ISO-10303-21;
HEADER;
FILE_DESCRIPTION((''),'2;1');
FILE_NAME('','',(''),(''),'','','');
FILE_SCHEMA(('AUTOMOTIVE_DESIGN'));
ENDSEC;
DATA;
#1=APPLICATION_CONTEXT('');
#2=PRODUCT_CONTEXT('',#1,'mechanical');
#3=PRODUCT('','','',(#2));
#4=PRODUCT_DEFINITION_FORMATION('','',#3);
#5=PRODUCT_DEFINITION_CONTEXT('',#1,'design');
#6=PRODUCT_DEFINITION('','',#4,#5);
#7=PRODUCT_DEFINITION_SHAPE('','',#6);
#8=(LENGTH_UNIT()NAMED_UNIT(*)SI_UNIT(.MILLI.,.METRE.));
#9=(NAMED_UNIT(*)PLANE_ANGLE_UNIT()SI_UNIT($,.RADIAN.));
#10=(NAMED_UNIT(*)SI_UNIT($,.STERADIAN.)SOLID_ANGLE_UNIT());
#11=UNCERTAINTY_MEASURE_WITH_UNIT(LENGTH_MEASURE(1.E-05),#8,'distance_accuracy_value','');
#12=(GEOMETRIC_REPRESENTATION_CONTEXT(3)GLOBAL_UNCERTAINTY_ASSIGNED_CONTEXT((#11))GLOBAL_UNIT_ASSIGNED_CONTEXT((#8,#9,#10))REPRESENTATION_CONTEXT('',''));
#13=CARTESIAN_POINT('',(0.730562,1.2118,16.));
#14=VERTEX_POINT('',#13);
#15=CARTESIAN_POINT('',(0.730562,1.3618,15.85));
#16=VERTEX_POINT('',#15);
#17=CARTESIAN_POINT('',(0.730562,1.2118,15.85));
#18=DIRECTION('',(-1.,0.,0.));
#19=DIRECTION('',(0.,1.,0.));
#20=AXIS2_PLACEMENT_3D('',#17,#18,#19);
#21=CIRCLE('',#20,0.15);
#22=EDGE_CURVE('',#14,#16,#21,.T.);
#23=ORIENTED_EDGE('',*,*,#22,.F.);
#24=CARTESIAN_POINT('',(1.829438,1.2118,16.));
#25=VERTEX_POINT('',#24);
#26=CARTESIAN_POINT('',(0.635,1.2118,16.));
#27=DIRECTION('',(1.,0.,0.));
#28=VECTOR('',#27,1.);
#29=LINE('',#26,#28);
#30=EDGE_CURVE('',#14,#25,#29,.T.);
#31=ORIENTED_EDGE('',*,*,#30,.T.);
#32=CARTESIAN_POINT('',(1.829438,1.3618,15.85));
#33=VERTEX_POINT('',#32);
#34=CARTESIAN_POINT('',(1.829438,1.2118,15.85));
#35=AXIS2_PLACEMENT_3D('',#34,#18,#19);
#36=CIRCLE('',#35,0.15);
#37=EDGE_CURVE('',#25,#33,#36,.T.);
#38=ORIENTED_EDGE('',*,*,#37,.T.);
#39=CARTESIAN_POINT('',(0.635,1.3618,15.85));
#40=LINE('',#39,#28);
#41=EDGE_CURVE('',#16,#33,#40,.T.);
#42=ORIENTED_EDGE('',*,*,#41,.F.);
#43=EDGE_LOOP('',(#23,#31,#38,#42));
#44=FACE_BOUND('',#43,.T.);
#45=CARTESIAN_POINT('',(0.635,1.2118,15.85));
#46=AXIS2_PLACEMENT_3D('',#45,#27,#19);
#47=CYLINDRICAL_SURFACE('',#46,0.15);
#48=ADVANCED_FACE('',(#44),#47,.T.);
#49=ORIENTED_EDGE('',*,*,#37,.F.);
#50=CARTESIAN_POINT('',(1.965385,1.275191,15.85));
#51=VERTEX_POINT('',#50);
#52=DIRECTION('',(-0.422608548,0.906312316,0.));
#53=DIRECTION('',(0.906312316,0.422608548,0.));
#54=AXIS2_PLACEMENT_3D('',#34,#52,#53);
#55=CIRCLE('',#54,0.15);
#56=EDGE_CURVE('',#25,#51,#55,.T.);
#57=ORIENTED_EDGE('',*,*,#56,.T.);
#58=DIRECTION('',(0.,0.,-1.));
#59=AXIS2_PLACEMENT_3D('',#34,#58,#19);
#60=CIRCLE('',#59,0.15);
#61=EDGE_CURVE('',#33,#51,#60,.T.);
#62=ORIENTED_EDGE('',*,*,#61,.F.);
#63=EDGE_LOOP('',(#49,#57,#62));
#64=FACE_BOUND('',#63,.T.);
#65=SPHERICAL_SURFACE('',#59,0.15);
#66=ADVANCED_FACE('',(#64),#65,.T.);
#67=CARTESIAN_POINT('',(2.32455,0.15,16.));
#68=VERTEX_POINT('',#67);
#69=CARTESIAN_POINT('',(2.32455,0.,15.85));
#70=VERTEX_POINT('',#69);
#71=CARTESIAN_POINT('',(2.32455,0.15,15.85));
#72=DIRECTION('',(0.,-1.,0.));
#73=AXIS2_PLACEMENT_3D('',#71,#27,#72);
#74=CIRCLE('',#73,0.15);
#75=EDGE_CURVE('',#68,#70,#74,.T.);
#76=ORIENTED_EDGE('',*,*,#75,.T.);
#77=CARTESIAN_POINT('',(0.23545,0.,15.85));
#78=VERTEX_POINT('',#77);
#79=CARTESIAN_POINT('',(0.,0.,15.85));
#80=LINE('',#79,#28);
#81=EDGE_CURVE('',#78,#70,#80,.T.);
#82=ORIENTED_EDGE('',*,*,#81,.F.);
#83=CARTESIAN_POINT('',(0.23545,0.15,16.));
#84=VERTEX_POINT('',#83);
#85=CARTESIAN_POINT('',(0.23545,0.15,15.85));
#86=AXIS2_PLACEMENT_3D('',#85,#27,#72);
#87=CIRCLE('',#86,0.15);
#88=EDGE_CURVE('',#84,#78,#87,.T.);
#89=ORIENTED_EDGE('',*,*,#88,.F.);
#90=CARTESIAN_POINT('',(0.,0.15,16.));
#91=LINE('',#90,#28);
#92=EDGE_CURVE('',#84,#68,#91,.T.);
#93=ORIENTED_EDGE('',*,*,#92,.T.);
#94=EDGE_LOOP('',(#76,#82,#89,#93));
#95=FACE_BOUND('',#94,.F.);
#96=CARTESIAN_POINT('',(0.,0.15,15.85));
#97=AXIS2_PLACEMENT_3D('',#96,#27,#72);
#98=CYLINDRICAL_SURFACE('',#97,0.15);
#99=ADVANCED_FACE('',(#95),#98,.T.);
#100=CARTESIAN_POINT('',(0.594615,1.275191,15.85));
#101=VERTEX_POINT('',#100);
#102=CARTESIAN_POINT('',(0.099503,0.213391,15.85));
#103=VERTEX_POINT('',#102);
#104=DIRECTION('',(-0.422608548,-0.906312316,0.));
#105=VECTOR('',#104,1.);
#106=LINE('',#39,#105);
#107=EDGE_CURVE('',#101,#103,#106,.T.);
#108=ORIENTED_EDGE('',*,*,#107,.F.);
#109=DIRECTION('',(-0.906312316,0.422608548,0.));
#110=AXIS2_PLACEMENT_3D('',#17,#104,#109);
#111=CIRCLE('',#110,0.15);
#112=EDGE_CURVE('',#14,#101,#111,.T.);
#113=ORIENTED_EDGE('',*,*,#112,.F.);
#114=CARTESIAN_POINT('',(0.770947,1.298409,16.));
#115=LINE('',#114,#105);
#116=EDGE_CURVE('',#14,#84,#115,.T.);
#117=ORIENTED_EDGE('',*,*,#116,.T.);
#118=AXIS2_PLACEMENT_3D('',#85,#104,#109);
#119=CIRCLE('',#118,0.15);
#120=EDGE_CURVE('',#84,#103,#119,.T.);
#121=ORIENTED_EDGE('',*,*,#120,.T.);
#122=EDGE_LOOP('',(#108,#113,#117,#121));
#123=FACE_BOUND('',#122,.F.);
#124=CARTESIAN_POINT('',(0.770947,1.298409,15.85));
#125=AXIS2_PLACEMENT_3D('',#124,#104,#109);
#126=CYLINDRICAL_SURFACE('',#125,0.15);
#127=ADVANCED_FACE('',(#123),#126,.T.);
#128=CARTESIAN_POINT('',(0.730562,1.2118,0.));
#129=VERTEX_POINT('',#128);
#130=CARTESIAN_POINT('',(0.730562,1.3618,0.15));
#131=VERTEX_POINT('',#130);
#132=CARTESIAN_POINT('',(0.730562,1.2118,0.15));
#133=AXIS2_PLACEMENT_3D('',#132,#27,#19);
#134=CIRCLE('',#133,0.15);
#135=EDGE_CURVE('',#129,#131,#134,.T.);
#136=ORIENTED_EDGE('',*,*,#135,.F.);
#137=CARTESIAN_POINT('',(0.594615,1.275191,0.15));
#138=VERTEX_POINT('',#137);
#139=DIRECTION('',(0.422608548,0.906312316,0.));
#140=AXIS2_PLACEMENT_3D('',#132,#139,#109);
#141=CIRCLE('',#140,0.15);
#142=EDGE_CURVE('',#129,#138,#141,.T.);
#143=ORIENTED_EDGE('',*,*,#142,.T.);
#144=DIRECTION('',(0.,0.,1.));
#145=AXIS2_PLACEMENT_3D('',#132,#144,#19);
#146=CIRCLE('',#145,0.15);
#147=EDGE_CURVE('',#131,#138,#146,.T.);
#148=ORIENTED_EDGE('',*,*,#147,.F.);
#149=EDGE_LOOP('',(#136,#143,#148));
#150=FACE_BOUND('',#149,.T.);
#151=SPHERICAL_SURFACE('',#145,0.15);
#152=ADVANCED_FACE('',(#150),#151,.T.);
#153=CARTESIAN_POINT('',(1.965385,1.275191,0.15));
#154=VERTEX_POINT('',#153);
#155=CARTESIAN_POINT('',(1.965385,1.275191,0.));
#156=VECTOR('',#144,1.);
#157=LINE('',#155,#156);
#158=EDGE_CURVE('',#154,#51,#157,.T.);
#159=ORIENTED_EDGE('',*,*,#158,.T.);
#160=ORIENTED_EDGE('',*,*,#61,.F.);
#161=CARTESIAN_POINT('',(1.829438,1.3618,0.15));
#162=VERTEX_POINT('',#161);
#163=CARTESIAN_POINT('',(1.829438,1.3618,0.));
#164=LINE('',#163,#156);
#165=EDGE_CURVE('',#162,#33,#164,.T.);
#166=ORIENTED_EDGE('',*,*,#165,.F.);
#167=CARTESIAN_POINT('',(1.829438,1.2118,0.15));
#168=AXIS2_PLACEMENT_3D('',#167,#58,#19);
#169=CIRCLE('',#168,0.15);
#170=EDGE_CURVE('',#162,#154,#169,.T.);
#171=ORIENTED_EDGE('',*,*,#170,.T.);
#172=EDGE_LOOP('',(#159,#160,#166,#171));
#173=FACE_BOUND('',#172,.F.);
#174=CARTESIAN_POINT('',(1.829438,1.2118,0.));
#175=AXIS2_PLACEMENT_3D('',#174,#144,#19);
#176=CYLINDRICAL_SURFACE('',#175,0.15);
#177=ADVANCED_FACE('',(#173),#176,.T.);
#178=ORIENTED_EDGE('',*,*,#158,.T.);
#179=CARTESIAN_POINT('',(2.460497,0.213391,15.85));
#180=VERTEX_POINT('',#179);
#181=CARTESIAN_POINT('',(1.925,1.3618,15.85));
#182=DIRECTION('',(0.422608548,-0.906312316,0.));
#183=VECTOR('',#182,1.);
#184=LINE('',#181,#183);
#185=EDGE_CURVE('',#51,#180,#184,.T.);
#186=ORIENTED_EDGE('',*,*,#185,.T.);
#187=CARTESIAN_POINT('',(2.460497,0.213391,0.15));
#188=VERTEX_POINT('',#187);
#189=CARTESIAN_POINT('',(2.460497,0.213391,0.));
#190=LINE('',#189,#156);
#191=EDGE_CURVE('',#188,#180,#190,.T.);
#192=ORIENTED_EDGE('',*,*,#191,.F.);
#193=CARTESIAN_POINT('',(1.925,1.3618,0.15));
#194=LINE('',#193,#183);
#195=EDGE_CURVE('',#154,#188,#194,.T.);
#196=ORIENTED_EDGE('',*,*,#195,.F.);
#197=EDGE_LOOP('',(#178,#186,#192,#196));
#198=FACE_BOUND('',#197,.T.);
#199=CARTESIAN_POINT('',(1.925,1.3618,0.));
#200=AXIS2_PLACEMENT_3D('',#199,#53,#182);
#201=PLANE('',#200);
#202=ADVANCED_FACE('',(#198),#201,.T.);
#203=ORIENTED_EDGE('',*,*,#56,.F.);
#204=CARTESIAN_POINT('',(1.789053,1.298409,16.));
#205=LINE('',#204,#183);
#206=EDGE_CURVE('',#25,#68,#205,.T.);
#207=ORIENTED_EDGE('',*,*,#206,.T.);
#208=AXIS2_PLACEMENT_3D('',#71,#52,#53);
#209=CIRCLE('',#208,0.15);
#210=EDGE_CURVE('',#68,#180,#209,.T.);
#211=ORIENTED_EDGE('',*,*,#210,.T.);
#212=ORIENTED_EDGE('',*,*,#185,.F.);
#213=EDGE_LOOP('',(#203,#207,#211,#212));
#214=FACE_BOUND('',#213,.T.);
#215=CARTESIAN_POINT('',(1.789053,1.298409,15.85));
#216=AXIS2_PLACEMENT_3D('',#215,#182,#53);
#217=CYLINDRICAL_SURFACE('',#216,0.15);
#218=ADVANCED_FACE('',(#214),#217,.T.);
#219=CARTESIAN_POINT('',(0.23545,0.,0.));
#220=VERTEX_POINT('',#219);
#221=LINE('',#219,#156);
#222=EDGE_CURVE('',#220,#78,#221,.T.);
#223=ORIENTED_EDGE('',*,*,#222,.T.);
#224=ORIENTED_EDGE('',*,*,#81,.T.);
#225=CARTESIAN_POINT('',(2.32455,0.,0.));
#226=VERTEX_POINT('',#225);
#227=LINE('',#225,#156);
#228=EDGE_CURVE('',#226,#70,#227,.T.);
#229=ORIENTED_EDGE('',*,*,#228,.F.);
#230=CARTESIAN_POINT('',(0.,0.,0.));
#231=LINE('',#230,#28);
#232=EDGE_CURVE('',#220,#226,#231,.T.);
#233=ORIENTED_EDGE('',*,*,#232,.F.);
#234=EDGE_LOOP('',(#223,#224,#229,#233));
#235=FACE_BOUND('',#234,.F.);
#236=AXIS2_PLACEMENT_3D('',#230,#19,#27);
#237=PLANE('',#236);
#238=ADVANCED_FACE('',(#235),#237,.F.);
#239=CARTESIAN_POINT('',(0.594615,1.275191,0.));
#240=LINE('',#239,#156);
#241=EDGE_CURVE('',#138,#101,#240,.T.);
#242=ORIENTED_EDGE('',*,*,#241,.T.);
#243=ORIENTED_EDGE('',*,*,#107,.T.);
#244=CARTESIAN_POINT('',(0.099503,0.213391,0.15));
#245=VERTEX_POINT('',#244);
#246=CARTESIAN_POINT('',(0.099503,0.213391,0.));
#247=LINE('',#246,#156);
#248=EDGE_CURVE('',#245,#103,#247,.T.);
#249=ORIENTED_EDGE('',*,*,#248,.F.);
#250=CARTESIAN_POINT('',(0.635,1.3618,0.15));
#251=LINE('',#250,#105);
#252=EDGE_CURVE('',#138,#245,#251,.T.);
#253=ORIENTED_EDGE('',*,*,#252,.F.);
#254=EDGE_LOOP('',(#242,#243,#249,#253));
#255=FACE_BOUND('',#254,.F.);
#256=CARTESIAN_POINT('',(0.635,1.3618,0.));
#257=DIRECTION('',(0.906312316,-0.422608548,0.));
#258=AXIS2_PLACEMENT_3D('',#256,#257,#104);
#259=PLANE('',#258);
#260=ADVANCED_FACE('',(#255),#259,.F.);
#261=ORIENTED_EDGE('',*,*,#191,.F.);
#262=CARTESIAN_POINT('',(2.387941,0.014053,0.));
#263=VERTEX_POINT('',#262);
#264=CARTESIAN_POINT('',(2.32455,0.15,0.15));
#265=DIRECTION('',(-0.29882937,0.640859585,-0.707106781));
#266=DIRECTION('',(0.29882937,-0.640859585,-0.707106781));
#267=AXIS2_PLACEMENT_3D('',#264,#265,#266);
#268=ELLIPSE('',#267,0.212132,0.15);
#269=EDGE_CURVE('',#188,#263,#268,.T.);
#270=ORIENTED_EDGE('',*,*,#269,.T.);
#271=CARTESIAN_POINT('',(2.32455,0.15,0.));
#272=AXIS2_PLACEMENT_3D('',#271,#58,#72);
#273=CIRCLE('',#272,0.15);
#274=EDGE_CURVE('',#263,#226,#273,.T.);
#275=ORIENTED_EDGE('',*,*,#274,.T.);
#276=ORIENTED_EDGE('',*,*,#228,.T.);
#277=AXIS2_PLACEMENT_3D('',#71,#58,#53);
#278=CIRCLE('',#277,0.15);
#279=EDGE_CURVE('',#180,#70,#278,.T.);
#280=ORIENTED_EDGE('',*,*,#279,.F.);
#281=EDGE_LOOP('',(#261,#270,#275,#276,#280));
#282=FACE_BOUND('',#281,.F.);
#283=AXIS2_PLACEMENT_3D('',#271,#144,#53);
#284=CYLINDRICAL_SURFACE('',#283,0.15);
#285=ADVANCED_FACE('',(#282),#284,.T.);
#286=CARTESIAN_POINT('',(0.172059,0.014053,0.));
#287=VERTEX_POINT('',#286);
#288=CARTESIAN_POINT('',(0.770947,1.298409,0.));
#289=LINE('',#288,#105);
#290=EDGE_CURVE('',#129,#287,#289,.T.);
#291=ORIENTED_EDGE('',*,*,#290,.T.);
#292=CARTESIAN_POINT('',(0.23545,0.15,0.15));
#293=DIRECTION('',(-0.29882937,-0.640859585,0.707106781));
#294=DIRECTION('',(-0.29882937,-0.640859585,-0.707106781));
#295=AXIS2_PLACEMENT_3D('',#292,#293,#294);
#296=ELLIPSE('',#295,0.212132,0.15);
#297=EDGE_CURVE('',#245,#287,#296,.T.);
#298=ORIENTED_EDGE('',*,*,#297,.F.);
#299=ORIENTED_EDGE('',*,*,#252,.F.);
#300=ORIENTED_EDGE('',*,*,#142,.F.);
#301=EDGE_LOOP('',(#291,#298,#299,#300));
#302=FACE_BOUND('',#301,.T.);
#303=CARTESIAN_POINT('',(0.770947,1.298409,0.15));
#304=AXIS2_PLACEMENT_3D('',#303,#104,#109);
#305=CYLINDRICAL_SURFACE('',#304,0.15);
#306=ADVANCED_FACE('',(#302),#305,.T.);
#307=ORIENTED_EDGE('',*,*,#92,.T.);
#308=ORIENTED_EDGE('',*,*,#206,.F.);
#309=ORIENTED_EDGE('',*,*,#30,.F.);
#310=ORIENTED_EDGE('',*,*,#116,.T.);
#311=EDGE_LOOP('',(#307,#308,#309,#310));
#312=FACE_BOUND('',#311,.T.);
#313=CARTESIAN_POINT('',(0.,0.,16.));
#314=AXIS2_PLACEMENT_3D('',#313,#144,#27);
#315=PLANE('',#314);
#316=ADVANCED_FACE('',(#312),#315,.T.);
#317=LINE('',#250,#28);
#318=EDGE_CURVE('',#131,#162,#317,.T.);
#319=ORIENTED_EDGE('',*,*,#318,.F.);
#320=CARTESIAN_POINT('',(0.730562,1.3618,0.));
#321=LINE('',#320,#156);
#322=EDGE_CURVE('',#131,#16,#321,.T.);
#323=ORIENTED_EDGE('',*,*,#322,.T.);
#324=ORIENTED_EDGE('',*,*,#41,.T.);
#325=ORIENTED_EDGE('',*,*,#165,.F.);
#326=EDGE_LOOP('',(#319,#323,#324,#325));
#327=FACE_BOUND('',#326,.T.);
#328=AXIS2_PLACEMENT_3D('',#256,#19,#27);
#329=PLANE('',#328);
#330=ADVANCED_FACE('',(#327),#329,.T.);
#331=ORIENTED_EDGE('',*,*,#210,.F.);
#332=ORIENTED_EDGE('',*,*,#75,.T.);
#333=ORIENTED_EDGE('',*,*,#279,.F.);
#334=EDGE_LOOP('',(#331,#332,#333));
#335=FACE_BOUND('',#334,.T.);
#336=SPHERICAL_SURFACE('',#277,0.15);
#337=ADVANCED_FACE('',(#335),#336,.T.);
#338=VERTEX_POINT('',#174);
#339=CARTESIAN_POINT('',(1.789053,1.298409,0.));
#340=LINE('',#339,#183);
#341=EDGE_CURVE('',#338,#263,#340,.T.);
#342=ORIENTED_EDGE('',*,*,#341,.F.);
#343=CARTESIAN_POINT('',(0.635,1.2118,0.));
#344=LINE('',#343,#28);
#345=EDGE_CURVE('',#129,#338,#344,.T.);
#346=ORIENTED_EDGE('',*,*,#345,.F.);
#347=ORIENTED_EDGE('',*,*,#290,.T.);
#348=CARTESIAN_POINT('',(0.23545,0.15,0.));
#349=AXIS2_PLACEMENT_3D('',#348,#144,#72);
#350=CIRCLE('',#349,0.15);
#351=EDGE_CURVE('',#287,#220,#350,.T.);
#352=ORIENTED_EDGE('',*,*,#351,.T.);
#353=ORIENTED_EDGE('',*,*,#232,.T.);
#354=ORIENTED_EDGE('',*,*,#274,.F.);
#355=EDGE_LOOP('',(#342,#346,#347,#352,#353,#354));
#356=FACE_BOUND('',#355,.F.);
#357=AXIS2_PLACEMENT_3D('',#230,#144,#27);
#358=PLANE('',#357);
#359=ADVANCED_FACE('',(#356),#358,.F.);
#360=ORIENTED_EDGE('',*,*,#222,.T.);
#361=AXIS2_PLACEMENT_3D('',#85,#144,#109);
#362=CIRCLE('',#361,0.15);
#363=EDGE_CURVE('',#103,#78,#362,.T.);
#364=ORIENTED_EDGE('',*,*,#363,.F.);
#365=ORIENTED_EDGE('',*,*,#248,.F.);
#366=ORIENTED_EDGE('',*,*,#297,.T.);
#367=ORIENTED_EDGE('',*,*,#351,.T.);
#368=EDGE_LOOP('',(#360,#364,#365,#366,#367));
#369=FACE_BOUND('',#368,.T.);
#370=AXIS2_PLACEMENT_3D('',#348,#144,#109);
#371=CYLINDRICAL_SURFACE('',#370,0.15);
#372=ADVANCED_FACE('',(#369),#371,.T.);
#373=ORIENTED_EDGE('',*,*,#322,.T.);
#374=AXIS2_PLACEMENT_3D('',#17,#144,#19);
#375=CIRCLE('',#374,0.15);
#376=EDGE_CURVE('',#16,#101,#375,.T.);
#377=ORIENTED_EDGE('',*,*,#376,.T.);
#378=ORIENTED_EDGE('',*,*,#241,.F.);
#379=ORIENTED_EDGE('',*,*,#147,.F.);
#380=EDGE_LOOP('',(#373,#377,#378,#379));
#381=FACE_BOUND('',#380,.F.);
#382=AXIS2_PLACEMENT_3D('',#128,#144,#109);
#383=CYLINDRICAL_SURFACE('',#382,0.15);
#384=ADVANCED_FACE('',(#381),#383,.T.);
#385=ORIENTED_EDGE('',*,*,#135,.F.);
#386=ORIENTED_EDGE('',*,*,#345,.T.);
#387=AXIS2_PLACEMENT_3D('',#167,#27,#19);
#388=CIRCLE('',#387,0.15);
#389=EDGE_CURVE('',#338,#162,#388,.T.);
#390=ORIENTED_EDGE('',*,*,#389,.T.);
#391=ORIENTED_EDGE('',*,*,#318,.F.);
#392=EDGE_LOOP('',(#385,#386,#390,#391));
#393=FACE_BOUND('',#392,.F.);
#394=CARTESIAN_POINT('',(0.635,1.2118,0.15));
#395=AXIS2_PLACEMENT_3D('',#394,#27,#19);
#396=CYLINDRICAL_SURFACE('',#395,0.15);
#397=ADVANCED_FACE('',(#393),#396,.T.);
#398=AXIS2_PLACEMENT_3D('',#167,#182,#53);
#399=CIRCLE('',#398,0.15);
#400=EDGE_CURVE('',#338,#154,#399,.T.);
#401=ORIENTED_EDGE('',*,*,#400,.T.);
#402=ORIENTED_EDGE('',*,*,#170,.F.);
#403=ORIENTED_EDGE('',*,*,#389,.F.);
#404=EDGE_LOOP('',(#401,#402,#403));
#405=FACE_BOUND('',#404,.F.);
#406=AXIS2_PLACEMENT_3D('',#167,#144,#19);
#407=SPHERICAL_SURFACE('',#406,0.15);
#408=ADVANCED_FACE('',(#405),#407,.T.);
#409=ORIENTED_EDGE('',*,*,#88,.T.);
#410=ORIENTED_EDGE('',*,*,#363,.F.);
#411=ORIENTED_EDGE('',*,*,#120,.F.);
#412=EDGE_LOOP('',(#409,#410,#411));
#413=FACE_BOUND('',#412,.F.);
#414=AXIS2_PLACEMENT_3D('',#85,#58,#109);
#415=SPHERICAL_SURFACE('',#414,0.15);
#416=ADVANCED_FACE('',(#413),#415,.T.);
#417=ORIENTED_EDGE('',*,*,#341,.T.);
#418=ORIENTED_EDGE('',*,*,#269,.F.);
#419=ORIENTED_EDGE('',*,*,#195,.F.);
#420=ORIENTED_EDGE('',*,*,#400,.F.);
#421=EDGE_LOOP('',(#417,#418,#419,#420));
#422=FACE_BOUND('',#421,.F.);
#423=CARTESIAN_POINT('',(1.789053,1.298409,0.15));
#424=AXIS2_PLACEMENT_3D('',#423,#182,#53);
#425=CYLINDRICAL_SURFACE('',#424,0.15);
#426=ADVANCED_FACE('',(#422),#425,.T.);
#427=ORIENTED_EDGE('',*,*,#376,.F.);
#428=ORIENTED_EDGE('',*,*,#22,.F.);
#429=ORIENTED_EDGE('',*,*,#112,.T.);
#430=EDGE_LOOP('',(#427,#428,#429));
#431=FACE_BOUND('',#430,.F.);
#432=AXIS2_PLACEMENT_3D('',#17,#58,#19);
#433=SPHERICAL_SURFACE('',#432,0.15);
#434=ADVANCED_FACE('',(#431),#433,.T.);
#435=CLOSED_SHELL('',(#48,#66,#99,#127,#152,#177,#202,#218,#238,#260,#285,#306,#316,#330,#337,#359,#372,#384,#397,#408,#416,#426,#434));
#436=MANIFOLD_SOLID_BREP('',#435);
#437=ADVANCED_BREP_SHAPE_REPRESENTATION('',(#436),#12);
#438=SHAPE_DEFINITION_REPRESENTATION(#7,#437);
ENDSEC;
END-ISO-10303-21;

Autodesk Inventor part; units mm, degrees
ref_plane "YZ Plane" through (0, 0, 0) normal (1, 0, 0) x (0, 1, 0)
ref_plane "XZ Plane" through (0, 0, 0) normal (0, 1, 0) x (-1, 0, 0)
ref_plane "XY Plane" through (0, 0, 0) normal (0, 0, 1) x (1, 0, 0)
sketch "Sketch1" plane through (0, 0, 0) normal (0, 0, 1) x (1, 0, 0)
  line L0 (0, 0) -> (2.56, 0)
  line L1 (2.56, 0) -> (2.56, 1.3618)
  line L2 (1.28, 0) -> (1.28, 4.701) construction
  line L3 (1.925, 1.3618) -> (2.56, 0)
  line L4 (0.635, 1.3618) -> (0, 0) construction
  line L5 (0.635, 1.3618) -> (1.925, 1.3618) construction
  line L6 (1.925, 1.3618) -> (2.56, 0) construction
  line L7 (0.635, 1.3618) -> (1.925, 1.3618)
  line L8 (0.635, 1.3618) -> (0, 0)
  dimension "d0" = 2.56
  dimension "d1" = 50
  dimension "d2" = 1.29
extrude "Extrusion1" add sketch "Sketch1" along normal blind 16
fillet "Fillet1" radius 0.15 11 edges at (0.635, 1.3618, 8) (1.925, 1.3618, 8) (1.28, 1.3618, 16) (1.28, 1.3618, 0) (1.28, 0, 16) (2.56, 0, 8) (0, 0, 8) (0.3175, 0.6809, 16) (2.2425, 0.6809, 16) (0.3175, 0.6809, 0) (2.2425, 0.6809, 0)
properties part number "Tooth1"
